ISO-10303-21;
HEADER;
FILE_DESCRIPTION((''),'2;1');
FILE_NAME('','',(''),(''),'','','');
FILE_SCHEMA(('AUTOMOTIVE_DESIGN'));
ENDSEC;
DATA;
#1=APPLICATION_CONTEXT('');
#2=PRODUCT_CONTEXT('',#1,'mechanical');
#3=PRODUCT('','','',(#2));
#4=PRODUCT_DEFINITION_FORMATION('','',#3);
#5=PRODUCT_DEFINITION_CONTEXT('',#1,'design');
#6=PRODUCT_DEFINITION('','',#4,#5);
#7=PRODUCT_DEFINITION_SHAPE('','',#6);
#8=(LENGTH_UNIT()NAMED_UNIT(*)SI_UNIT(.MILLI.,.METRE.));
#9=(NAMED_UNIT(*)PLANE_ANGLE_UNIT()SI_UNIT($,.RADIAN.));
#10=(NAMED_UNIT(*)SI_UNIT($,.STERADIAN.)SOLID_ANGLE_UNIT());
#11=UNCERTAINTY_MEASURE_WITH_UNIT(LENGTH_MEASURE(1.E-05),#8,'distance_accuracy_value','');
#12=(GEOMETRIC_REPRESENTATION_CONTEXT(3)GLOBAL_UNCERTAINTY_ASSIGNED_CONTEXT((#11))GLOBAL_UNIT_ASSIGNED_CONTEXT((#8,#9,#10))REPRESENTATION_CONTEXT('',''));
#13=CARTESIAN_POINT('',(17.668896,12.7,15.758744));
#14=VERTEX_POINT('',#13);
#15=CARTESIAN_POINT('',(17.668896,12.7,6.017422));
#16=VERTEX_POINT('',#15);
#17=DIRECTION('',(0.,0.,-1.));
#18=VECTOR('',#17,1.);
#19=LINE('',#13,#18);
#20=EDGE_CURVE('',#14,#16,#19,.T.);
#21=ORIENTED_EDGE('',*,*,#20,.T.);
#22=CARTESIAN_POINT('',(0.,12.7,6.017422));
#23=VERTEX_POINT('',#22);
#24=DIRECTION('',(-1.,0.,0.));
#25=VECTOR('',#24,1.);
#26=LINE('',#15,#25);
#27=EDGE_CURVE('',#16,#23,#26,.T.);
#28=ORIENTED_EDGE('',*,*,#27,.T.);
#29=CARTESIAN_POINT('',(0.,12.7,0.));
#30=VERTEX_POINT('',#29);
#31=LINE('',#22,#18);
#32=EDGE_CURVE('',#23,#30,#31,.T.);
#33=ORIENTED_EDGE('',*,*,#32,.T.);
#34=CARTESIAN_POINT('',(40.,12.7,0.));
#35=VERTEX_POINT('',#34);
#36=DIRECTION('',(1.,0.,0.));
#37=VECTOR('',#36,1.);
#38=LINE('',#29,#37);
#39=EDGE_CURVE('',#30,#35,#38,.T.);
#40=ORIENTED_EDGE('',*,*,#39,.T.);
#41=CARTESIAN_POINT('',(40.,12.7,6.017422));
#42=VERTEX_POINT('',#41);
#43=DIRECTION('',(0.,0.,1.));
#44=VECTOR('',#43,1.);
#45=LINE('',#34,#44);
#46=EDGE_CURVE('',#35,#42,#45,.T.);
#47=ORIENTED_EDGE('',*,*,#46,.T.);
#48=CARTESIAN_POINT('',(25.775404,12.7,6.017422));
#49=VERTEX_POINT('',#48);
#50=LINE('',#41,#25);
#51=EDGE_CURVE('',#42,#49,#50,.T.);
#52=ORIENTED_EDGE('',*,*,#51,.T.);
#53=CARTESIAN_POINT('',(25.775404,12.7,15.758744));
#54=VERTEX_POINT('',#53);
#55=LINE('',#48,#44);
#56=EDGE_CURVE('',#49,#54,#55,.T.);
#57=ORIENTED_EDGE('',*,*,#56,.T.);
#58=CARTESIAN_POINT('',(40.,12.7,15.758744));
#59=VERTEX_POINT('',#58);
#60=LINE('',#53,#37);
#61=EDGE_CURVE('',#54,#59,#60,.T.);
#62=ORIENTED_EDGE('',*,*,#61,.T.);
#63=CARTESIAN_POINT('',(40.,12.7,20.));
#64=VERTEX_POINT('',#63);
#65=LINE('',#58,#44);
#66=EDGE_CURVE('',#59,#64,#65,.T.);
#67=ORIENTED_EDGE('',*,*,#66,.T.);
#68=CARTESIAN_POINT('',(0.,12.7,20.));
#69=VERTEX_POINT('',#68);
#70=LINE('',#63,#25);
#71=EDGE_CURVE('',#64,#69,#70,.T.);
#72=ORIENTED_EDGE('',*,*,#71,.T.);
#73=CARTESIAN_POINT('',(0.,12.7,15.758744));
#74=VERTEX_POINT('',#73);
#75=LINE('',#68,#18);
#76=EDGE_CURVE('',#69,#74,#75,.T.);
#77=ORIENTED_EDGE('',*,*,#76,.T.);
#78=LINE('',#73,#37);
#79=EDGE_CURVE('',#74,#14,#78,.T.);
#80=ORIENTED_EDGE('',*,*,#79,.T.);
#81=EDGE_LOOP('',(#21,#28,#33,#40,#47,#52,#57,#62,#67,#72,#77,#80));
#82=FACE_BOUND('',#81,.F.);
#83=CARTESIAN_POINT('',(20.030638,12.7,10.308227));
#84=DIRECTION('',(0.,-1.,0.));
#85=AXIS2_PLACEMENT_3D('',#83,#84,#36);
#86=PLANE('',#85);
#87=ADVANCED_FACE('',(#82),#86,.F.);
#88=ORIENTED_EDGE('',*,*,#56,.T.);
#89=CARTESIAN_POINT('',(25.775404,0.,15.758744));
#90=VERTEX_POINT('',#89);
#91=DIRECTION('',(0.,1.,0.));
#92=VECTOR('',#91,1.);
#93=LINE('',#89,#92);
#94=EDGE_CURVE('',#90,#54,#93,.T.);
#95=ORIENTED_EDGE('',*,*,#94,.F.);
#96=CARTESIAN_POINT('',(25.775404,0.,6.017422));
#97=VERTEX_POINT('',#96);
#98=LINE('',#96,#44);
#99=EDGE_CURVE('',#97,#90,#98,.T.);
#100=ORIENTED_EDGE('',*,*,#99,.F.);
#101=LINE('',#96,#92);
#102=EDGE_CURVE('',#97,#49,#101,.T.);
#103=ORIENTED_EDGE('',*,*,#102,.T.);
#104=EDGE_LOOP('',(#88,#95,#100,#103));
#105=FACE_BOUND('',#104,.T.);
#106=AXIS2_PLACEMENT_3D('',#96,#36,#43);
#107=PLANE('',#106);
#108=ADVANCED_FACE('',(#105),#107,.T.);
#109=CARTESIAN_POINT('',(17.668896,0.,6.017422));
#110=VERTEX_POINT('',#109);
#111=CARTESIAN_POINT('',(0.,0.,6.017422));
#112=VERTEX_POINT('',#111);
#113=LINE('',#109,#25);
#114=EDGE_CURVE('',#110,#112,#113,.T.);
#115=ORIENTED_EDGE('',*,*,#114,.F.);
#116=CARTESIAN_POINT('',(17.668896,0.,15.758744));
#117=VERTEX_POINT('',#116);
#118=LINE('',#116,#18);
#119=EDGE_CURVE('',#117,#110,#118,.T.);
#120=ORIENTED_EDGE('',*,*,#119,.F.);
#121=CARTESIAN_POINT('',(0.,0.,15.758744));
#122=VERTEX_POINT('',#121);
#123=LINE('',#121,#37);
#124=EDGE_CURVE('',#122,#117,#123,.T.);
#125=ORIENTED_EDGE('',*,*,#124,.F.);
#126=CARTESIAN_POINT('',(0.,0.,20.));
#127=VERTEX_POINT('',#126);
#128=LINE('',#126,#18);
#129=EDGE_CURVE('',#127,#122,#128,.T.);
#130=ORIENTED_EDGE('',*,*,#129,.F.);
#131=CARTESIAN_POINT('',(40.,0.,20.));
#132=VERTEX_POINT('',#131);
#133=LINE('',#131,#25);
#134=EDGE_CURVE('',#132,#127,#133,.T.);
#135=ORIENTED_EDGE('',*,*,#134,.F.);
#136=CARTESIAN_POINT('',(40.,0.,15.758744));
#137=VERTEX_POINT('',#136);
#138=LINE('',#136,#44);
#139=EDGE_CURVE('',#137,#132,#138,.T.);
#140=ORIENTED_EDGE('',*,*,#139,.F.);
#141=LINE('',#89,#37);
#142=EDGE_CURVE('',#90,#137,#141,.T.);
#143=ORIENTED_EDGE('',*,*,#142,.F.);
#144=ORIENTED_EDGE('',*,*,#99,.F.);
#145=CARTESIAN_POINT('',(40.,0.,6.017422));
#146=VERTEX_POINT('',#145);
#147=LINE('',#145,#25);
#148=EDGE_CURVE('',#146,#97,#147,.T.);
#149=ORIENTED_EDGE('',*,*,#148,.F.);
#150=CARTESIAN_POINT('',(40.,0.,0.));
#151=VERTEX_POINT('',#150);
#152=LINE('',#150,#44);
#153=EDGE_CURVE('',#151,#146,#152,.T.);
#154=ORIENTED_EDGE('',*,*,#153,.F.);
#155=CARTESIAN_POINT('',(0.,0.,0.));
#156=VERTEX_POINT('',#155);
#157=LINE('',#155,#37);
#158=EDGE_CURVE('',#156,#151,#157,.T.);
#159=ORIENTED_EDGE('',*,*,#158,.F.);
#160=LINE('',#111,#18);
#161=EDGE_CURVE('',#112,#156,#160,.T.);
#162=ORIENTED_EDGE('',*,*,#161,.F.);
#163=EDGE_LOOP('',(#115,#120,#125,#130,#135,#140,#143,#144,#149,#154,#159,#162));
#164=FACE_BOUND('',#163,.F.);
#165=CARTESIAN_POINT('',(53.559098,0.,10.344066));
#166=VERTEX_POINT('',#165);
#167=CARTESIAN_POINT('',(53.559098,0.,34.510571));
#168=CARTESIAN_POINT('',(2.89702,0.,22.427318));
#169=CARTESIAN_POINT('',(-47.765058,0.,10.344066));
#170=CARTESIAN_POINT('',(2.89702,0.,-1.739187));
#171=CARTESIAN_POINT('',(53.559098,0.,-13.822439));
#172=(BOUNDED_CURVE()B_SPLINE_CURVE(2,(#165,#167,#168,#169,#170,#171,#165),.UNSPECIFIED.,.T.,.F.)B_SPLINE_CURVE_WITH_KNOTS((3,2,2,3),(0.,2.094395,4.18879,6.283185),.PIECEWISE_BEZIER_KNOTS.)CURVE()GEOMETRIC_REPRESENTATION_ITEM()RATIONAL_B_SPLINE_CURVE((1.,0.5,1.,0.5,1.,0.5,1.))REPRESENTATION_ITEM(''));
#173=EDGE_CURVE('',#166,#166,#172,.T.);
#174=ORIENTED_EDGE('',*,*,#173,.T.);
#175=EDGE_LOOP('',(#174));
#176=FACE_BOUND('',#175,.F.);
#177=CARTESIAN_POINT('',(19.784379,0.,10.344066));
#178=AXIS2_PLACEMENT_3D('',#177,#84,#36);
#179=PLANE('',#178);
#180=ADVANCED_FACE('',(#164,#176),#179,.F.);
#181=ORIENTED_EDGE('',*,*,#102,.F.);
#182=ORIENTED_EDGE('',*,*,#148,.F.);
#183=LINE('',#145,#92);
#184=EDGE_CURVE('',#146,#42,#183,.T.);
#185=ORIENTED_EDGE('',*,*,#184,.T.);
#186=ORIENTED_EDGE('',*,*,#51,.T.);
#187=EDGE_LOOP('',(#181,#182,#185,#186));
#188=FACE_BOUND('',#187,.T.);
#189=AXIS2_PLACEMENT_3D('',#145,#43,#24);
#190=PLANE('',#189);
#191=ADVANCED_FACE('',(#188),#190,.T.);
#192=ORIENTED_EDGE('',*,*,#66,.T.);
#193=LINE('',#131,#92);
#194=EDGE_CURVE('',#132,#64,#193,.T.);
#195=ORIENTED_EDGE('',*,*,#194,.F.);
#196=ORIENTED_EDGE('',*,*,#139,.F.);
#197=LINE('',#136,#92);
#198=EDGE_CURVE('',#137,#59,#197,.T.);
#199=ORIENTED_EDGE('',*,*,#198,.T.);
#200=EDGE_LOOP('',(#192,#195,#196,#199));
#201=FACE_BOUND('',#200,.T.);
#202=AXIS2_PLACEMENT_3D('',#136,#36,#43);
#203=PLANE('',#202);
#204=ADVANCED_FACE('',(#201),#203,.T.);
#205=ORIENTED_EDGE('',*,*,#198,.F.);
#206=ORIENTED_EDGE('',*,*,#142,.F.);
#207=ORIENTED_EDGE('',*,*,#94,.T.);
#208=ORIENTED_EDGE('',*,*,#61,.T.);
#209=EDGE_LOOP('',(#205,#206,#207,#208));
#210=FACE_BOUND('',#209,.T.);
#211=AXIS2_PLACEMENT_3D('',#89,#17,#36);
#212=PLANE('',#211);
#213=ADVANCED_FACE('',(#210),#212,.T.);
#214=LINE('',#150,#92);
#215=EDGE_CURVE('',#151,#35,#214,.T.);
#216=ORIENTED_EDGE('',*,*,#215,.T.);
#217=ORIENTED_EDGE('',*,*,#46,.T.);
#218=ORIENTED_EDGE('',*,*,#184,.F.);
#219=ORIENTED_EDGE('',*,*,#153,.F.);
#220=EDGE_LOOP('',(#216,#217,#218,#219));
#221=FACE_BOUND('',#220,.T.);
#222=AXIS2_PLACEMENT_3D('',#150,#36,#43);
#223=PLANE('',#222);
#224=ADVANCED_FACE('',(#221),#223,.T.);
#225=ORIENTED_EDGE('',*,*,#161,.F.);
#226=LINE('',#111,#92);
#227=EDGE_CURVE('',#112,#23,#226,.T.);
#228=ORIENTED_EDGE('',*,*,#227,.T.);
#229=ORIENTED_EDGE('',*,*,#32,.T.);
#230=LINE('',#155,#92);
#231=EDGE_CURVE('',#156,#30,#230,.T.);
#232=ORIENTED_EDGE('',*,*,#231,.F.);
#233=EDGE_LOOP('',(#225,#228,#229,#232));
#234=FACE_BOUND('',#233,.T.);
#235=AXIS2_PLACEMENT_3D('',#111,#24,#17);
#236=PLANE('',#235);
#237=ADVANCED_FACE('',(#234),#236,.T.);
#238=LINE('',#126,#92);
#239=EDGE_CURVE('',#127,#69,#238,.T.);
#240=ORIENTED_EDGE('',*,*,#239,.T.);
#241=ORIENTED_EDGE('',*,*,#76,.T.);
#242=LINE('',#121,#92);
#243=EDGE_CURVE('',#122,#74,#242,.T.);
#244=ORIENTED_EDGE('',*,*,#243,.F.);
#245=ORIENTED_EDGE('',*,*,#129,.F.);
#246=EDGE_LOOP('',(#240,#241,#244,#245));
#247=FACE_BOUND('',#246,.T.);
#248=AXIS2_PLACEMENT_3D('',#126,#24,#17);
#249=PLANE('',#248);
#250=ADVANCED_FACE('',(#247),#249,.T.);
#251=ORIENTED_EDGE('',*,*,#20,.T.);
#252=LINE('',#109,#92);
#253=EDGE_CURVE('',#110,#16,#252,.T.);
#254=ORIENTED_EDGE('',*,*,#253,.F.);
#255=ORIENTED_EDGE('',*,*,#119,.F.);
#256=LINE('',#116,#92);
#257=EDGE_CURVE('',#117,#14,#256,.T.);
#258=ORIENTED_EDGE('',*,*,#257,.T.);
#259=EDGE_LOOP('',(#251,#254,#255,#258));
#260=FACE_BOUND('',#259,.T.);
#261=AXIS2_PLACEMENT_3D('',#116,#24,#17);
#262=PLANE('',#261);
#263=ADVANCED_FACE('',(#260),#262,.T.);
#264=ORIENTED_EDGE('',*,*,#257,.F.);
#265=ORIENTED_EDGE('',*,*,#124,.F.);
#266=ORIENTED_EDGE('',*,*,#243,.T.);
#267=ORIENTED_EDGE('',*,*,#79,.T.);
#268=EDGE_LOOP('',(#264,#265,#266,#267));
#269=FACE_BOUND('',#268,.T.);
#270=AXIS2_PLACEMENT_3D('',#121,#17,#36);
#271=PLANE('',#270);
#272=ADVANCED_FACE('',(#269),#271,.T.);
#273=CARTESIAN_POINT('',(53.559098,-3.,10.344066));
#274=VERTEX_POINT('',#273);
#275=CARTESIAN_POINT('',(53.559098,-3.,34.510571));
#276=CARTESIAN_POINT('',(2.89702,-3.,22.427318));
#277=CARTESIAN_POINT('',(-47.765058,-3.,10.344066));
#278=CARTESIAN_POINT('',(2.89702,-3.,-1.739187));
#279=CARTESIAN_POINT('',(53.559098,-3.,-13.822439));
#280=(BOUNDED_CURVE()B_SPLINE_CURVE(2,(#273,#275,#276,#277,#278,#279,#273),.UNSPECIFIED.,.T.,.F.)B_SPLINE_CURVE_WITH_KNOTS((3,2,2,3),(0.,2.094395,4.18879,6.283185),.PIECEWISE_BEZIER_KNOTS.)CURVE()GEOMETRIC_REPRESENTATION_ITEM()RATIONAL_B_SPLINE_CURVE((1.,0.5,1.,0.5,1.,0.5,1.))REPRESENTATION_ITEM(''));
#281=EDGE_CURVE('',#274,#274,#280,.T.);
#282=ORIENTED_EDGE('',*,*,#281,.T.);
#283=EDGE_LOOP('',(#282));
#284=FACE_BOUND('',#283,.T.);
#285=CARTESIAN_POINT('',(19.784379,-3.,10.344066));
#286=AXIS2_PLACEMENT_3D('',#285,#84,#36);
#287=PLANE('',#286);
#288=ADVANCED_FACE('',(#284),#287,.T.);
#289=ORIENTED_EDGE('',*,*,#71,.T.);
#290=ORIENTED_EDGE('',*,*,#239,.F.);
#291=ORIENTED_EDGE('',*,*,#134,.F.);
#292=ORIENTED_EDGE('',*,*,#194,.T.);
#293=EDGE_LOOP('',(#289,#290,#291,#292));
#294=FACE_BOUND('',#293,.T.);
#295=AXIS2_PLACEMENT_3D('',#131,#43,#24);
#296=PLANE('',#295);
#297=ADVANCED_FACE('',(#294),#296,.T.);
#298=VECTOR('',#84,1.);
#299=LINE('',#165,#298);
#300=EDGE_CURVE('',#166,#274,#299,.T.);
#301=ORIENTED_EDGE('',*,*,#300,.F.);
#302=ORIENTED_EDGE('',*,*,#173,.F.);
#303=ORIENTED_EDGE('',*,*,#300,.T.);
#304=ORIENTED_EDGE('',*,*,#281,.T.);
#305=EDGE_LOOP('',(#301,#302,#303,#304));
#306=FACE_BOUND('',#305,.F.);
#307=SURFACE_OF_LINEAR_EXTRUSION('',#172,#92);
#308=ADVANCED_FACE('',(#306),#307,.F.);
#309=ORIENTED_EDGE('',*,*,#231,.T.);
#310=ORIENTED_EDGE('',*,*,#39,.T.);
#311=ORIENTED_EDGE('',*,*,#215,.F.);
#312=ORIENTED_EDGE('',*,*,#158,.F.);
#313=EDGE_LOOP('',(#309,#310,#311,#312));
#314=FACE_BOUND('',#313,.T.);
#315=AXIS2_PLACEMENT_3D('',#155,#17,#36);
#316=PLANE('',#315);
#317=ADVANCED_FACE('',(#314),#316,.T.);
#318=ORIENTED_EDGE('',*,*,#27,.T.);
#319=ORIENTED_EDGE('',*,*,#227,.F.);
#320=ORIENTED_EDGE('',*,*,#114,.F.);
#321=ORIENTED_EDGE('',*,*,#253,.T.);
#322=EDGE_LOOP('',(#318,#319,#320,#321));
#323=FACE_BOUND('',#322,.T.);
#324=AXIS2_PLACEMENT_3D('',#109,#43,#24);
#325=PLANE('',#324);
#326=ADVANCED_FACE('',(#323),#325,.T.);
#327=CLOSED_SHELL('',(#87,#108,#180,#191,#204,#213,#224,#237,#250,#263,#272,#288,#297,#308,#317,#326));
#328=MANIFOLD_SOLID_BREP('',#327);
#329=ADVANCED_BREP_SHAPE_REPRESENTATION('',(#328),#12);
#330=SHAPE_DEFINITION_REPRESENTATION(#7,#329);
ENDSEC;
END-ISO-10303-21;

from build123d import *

# Parameters (mm, degrees)
F1_DEPTH = 12.7
F3_DEPTH = 3


with BuildPart() as f1:
    # F0 (on Front) → F1 (new body)
    with BuildSketch(Plane.XZ):
        Polygon((0, 6.017422), (0, 0), (40, 0), (40, 6.017422), (25.775404, 6.017422), (25.775404, 15.758744), (40, 15.758744), (40, 20), (0, 20), (0, 15.758744), (17.668896, 15.758744), (17.668896, 6.017422), align=None)
    extrude(amount=-F1_DEPTH)

    # F2 (on Front) → F3 (join)
    with BuildSketch(Plane.XZ):
        with BuildLine():
            add(Edge.make_bspline(
                [(53.559098, 10.344066), (53.559098, 34.510571), (2.89702, 22.427318), (-47.765058, 10.344066), (2.89702, -1.739187), (53.559098, -13.822439), (53.559098, 10.344066)],
                knots=[0, 0, 0, 2.094395, 2.094395, 4.18879, 4.18879, 6.283185, 6.283185, 6.283185], degree=2, weights=[1, 0.5, 1, 0.5, 1, 0.5, 1]))
        make_face()
    extrude(amount=F3_DEPTH)


solid = f1.part
